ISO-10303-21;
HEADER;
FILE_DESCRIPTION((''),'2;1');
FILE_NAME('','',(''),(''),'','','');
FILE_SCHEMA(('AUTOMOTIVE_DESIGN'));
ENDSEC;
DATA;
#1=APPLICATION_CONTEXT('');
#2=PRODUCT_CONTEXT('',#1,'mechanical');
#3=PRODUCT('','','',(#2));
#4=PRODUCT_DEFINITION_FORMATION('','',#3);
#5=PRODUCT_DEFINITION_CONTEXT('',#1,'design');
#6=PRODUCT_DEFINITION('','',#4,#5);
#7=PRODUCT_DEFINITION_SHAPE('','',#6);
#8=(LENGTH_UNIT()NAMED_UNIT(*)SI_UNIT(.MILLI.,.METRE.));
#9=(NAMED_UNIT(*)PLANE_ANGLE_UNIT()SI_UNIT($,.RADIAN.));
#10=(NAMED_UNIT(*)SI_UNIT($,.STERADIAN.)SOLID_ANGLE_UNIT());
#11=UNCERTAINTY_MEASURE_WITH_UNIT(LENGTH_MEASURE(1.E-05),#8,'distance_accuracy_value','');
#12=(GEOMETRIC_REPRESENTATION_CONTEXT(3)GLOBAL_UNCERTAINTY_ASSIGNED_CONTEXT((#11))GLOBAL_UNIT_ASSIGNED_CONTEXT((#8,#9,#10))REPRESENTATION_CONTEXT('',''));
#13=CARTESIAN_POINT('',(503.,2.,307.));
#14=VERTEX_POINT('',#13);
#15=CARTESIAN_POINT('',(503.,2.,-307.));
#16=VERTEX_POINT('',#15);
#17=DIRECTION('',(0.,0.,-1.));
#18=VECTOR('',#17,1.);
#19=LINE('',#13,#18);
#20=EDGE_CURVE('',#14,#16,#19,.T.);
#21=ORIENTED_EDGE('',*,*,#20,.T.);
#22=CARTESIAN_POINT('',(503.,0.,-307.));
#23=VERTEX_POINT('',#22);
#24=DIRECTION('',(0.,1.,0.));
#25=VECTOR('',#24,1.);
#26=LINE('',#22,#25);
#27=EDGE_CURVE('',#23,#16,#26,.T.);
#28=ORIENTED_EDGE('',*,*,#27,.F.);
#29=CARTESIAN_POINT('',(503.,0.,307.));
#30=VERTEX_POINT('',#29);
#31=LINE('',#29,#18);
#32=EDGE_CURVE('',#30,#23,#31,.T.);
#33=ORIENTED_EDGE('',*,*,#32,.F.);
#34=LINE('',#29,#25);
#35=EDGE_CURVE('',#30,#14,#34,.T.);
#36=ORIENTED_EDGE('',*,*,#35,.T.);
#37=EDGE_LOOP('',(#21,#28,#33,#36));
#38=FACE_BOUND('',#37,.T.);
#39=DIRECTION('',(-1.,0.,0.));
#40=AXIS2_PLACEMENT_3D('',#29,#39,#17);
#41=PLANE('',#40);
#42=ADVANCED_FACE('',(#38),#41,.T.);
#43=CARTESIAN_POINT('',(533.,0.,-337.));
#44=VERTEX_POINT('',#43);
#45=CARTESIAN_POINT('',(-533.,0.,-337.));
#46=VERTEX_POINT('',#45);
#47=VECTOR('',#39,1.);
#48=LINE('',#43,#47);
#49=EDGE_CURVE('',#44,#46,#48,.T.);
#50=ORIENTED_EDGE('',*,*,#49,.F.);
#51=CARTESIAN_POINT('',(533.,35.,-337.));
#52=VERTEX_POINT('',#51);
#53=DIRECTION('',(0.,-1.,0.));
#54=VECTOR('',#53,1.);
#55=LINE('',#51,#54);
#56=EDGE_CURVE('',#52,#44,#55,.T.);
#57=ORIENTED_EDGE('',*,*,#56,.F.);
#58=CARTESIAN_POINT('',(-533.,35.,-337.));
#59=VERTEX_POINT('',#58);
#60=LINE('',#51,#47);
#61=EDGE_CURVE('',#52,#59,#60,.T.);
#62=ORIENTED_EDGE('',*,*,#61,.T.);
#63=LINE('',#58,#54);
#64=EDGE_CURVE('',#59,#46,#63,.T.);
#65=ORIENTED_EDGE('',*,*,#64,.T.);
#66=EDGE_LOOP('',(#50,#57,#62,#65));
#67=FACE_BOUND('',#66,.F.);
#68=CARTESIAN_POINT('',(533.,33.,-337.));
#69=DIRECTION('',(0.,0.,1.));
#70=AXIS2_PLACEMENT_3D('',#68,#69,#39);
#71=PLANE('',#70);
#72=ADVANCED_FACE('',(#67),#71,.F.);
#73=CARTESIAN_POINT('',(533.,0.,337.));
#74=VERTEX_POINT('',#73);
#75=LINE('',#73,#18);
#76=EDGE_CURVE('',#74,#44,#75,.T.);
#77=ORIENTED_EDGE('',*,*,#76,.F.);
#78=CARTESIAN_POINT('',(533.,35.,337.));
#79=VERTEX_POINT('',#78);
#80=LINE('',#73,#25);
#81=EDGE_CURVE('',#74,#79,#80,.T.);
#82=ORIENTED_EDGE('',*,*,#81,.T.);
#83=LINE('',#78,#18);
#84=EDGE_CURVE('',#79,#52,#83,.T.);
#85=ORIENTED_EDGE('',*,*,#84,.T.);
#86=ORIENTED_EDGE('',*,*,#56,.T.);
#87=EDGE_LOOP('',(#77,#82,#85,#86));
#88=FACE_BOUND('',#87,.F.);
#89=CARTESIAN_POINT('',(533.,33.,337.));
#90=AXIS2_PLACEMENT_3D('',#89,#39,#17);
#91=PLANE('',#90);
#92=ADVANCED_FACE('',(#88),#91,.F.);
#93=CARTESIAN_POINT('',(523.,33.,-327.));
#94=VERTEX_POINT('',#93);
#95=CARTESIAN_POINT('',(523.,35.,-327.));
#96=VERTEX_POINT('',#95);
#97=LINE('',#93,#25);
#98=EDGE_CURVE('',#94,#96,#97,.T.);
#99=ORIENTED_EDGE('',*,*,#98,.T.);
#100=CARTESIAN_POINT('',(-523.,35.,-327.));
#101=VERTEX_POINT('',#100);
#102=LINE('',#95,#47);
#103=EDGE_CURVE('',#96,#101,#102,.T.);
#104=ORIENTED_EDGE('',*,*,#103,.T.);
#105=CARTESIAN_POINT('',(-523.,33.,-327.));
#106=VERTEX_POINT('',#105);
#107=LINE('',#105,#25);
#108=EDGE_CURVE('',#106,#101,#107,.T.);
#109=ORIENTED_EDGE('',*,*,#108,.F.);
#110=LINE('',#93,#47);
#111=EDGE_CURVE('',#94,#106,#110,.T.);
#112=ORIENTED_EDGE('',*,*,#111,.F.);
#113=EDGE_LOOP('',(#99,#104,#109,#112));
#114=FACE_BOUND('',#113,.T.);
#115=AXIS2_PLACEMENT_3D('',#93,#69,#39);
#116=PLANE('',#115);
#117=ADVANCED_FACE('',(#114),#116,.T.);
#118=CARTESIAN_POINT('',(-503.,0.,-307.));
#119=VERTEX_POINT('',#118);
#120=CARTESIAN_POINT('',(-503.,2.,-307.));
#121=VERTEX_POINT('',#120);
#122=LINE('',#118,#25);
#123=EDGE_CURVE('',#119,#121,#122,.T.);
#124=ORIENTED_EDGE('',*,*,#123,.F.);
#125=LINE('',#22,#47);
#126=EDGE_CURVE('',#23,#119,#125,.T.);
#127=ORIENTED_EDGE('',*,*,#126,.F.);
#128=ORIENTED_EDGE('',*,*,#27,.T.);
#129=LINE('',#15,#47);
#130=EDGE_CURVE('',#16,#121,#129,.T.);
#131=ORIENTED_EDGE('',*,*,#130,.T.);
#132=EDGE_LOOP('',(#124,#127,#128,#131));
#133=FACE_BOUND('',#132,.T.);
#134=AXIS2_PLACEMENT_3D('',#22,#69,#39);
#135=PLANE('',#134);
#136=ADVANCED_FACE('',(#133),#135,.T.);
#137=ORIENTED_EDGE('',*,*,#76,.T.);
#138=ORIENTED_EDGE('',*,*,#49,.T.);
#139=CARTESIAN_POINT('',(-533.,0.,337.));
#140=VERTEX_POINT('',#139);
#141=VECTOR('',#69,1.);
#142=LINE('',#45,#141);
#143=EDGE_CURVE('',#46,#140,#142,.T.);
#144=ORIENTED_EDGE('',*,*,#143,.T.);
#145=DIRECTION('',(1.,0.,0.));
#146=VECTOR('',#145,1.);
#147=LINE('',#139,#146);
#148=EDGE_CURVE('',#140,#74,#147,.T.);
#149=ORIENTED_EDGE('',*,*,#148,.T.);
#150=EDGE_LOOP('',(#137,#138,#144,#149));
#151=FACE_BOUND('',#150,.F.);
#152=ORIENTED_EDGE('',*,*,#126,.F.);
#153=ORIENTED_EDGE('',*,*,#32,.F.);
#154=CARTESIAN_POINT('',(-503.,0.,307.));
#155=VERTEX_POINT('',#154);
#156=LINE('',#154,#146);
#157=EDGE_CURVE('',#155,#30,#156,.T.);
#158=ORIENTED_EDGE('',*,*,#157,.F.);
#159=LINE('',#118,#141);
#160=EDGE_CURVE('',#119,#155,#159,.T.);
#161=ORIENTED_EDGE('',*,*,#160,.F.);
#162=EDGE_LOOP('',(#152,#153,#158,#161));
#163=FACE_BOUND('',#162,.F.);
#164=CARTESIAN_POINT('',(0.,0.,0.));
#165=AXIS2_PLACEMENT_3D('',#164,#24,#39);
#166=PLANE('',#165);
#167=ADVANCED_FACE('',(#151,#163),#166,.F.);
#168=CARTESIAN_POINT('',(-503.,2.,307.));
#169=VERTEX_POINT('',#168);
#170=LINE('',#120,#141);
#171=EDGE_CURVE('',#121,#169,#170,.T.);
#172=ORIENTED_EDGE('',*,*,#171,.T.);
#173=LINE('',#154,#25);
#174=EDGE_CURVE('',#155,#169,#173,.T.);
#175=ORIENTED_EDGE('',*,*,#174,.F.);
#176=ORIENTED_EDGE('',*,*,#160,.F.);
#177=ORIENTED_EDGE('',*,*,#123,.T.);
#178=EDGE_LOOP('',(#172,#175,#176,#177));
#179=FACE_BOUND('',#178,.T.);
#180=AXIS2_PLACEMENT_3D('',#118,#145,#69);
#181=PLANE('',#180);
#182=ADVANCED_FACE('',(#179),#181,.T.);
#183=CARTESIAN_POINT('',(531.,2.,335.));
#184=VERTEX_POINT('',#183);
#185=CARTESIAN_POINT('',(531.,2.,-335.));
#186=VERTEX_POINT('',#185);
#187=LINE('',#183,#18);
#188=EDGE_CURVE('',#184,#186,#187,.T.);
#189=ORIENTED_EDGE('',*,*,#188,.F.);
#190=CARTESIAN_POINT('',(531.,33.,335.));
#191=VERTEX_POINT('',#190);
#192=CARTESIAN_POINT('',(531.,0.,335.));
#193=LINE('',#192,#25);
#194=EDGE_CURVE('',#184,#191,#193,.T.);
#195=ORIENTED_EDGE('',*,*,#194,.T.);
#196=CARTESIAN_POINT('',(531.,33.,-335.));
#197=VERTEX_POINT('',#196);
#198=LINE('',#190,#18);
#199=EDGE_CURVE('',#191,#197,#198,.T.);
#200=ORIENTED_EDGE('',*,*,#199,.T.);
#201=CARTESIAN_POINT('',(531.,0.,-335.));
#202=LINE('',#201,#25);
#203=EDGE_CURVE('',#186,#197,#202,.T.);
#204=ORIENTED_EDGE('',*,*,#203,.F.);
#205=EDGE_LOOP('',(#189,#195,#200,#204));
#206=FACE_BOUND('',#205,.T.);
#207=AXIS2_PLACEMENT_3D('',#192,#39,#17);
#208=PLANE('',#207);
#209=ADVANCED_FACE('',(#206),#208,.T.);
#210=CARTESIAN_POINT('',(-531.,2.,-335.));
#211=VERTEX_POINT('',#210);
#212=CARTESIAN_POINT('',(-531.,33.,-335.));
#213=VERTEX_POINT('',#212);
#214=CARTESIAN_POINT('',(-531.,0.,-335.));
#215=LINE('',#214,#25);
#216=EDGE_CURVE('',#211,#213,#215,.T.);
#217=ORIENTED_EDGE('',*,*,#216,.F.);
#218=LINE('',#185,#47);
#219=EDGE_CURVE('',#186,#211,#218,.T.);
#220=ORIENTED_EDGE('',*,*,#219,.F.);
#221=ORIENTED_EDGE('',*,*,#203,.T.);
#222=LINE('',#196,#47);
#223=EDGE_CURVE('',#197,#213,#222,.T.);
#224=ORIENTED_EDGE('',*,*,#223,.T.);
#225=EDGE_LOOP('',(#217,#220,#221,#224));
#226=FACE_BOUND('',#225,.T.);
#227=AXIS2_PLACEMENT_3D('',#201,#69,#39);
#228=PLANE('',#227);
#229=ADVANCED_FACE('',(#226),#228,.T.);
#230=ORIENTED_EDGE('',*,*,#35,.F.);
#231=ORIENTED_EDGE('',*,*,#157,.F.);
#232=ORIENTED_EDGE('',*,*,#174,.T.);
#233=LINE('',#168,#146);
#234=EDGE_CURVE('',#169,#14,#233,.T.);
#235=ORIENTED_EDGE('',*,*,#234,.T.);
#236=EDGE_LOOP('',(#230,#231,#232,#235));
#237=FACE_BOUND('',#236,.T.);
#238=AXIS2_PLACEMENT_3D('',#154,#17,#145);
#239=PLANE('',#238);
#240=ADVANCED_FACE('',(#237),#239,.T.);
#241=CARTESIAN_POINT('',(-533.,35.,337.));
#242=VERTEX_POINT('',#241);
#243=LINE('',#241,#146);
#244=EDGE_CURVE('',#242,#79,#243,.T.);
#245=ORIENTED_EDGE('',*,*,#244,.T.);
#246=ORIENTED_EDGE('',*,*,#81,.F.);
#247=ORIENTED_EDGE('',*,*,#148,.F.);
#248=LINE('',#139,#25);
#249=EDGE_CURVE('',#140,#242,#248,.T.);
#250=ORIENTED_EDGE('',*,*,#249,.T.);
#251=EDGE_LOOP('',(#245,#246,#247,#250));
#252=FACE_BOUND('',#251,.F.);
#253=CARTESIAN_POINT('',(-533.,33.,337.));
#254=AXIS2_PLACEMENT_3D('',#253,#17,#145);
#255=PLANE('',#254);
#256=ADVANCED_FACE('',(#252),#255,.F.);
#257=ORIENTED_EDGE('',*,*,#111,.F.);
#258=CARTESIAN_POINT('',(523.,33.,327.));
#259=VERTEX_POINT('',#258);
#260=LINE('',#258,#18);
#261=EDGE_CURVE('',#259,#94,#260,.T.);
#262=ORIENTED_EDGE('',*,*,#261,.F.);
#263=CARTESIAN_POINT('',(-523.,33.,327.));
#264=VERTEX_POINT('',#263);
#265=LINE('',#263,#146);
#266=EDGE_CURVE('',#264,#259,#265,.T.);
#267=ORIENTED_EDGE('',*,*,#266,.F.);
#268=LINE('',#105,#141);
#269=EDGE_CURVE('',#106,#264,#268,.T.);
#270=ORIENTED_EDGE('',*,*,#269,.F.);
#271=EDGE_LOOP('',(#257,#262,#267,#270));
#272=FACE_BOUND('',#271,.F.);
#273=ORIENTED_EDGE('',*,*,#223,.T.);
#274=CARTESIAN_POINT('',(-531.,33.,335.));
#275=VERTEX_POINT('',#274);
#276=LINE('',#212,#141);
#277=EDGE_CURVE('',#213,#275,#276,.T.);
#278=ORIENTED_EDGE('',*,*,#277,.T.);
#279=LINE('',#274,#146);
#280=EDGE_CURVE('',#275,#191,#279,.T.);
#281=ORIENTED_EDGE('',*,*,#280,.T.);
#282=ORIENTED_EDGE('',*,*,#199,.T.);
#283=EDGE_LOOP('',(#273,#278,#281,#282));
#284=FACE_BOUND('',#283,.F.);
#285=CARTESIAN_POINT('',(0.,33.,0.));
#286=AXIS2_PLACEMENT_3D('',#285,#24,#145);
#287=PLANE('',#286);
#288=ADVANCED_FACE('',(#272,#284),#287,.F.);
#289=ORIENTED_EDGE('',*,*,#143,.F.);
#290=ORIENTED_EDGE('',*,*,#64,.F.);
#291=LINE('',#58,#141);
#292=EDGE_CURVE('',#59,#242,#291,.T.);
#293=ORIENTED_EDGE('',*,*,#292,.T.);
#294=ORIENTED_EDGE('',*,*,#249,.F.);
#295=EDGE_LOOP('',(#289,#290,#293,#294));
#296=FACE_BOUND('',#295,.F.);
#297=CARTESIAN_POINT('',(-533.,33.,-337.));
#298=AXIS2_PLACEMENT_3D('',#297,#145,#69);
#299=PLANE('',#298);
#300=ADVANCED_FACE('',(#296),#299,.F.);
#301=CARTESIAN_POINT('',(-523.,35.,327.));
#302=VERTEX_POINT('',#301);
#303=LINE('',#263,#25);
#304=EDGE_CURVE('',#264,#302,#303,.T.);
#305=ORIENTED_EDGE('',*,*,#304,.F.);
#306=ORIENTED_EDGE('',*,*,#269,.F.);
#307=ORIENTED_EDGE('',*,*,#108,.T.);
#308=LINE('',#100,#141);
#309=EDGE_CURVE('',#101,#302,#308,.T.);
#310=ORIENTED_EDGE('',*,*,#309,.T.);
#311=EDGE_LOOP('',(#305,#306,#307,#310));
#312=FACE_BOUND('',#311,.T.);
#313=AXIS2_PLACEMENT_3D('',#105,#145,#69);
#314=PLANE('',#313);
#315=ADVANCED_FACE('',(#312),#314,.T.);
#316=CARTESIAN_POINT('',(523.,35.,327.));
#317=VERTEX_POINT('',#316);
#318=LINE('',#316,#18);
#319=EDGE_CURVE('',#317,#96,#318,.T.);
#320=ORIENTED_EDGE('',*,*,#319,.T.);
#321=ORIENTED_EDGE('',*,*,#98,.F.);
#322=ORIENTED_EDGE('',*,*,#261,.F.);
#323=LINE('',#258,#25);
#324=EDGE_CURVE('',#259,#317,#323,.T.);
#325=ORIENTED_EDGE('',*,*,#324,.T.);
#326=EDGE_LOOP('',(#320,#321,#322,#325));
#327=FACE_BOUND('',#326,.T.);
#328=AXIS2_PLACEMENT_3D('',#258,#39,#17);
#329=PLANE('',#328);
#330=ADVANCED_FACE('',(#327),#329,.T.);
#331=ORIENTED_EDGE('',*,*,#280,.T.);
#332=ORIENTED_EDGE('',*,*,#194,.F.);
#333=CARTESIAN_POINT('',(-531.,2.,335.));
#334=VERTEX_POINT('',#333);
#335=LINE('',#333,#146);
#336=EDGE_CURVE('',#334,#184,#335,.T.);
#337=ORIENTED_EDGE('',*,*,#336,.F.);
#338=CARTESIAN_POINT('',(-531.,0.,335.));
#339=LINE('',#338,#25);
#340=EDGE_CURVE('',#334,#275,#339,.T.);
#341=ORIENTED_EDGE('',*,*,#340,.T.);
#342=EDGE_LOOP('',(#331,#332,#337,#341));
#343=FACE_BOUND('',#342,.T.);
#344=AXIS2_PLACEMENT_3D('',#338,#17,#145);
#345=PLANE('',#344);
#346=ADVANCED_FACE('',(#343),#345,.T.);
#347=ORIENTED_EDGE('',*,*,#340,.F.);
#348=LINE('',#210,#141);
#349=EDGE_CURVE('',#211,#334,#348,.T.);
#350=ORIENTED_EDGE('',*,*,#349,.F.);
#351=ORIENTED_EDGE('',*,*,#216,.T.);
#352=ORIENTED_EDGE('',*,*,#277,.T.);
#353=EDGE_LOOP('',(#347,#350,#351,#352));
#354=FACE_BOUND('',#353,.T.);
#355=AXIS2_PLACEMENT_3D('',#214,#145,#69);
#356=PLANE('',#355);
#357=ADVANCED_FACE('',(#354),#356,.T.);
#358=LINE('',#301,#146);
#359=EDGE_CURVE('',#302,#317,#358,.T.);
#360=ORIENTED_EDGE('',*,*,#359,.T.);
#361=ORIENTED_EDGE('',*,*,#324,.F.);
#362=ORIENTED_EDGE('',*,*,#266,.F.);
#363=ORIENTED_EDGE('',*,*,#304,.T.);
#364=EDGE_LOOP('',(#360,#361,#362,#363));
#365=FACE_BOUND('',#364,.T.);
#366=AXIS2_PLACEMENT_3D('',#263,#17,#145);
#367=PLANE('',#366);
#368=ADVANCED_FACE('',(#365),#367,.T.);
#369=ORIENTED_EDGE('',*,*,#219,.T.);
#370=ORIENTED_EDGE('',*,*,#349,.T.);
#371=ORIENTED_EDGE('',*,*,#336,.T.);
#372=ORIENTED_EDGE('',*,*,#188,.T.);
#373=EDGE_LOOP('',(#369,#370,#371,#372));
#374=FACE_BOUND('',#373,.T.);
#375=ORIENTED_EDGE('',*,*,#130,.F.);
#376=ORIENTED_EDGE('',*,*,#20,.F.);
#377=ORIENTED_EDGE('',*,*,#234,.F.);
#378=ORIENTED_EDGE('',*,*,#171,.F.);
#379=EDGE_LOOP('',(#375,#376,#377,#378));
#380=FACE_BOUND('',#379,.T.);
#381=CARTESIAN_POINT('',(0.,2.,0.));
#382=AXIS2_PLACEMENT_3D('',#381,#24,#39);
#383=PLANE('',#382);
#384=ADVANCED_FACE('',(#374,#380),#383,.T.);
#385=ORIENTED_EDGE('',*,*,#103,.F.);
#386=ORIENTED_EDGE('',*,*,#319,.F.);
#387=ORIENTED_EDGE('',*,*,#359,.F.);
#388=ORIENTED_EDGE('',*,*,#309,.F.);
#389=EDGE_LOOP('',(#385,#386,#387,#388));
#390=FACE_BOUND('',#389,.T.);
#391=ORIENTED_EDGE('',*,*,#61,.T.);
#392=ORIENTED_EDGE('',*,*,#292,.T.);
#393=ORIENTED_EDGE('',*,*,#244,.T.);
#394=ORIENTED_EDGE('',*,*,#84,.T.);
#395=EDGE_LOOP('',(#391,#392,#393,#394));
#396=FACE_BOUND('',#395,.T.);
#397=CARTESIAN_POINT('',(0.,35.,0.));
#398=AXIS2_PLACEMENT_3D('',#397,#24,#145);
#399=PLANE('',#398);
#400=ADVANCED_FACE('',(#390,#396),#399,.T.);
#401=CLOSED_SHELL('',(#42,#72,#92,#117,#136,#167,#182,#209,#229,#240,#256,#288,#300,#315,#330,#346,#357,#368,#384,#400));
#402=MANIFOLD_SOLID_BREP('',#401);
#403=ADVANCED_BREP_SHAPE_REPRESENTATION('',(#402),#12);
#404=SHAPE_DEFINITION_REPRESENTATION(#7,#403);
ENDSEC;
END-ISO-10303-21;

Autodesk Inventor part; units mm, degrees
ref_plane "YZ Plane" through (0, 0, 0) normal (1, 0, 0) x (0, 1, 0)
ref_plane "XZ Plane" through (0, 0, 0) normal (0, 1, 0) x (-1, 0, 0)
ref_plane "XY Plane" through (0, 0, 0) normal (0, 0, 1) x (1, 0, 0)
sketch "Sketch1" plane through (0, 0, 0) normal (0, 1, 0) x (-1, 0, 0)
  line L0 (533, 337) -> (-533, 337)
  line L1 (-533, 337) -> (-533, -337)
  line L2 (-533, -337) -> (533, -337)
  line L3 (533, -337) -> (533, 337)
  line L4 (533, 337) -> (-533, -337) construction
  line L5 (-533, 337) -> (533, -337) construction
  line L6 (531, 335) -> (-531, 335)
  line L7 (-531, 335) -> (-531, -335)
  line L8 (-531, -335) -> (531, -335)
  line L9 (531, -335) -> (531, 335)
  line L10 (531, 335) -> (-531, -335) construction
  line L11 (-531, 335) -> (531, -335) construction
  line L12 (503, 307) -> (-503, 307)
  line L13 (-503, 307) -> (-503, -307)
  line L14 (-503, -307) -> (503, -307)
  line L15 (503, -307) -> (503, 307)
  line L16 (503, 307) -> (-503, -307) construction
  line L17 (-503, 307) -> (503, -307) construction
  point P0 (0, 0)
  dimension "d0" = 1066
  dimension "d1" = 674
  dimension "d2" = 1062
  dimension "d3" = 670
  dimension "d4" = 1006
  dimension "d5" = 614
extrude "Extrusion1" add sketch "Sketch1" along normal blind 2 contours L9 L8 L7 L6
extrude "Extrusion2" add sketch "Sketch1" along normal blind 33 contours L3 L2 L1 L0
sketch "Sketch2" plane through (0, 33, 0) normal (0, 1, 0) x (1, 0, 0)
  line L0 (-533, -337) -> (533, -337)
  line L1 (533, -337) -> (533, 337)
  line L2 (533, 337) -> (-533, 337)
  line L3 (-533, 337) -> (-533, -337)
  line L4 (-533, -337) -> (533, 337) construction
  line L5 (533, -337) -> (-533, 337) construction
  line L6 (-523, -327) -> (523, -327)
  line L7 (523, -327) -> (523, 327)
  line L8 (523, 327) -> (-523, 327)
  line L9 (-523, 327) -> (-523, -327)
  line L10 (-523, -327) -> (523, 327) construction
  line L11 (523, -327) -> (-523, 327) construction
  point P0 (0, 0)
  dimension "d10" = 1066
  dimension "d11" = 674
  dimension "d12" = 1046
  dimension "d13" = 654
extrude "Extrusion3" add sketch "Sketch2" along normal blind 2
properties part number "frame"
